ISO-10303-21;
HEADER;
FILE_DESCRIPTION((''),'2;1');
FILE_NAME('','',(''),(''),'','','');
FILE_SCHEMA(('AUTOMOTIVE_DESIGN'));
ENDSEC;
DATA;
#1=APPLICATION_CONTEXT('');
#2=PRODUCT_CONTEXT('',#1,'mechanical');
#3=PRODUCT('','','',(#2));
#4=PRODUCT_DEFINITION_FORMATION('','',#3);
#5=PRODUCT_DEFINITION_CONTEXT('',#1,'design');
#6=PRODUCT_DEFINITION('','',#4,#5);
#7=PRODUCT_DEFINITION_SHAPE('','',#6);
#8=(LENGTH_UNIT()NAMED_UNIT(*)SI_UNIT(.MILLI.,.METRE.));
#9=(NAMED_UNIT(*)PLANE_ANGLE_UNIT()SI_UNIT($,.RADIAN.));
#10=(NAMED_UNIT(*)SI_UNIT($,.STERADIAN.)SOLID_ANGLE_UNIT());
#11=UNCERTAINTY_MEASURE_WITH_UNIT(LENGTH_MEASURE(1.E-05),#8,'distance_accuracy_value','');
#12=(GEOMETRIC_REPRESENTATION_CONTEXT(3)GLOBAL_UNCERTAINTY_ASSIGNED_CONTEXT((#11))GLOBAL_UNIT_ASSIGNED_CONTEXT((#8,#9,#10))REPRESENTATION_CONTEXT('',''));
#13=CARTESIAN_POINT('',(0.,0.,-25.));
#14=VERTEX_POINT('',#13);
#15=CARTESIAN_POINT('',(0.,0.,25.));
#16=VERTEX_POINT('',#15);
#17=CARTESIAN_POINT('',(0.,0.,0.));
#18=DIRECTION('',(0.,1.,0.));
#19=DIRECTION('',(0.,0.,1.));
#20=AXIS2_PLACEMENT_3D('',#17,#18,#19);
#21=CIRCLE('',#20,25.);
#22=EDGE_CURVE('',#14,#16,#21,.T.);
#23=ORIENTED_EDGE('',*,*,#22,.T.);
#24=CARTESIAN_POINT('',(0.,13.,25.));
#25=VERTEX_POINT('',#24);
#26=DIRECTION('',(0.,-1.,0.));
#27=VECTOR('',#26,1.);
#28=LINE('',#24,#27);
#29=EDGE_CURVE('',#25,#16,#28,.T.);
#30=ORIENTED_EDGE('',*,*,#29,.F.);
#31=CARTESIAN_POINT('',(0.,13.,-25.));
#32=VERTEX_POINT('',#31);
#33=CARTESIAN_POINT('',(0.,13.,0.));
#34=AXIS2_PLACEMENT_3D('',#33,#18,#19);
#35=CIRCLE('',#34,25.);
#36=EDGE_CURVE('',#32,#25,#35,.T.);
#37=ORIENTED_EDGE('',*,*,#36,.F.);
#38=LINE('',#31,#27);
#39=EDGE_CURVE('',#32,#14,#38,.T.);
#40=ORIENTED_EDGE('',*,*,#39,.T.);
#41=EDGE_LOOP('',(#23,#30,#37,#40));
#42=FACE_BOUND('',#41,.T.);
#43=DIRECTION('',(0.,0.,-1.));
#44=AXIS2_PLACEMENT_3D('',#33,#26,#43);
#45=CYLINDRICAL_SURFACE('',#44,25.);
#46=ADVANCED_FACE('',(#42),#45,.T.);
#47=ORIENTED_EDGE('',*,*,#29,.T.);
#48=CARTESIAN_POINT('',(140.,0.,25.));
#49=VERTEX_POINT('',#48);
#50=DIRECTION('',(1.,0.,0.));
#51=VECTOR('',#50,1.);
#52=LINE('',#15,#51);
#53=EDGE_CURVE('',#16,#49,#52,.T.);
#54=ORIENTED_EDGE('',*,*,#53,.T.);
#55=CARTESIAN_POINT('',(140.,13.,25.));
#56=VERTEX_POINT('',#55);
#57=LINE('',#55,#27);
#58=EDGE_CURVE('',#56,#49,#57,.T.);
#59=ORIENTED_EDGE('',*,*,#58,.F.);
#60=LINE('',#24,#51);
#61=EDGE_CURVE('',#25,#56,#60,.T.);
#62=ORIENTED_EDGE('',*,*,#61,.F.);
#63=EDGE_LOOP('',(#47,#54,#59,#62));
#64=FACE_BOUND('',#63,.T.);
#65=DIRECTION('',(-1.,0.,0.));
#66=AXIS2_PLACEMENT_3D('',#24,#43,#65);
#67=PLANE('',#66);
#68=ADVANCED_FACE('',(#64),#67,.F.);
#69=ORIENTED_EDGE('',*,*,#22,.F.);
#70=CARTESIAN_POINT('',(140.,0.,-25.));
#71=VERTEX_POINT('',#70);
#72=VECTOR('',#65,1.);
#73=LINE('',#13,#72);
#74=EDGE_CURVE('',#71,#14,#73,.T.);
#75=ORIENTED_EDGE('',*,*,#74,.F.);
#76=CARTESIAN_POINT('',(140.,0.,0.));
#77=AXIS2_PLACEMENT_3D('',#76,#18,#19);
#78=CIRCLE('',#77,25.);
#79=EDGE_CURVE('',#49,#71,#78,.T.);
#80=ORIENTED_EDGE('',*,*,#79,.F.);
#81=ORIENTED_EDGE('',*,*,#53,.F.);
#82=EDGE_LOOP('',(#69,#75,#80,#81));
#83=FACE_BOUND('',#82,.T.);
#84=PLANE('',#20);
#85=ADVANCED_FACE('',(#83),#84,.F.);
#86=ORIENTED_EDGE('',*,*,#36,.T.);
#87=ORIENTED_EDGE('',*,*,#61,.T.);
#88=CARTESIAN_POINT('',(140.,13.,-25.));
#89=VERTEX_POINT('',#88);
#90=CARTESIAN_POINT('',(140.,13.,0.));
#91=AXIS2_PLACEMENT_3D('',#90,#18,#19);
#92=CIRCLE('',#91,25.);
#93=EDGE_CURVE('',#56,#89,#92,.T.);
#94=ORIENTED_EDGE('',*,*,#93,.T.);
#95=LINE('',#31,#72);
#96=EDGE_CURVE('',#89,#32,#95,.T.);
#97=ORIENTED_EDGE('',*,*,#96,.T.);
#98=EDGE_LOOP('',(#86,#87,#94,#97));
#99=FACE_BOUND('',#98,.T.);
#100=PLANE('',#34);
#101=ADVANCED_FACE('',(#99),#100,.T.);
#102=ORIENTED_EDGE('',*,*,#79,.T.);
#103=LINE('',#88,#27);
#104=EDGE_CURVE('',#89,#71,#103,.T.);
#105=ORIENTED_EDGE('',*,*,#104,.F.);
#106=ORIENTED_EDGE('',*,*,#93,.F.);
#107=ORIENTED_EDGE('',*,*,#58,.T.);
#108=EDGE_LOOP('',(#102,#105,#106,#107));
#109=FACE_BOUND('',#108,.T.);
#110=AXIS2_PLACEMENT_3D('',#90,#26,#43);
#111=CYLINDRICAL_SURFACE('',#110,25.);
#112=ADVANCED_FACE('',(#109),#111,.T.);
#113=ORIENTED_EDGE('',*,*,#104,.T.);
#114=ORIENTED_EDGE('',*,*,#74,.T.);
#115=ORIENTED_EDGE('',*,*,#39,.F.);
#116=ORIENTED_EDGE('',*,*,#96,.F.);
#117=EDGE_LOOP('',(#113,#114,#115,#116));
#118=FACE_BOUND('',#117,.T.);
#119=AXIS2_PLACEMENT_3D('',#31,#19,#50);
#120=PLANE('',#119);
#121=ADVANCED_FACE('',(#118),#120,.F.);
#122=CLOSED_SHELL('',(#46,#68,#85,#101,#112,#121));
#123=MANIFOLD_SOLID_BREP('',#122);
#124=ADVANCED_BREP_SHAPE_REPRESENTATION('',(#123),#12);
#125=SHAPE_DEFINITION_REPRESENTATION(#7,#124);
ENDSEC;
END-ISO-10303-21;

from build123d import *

# Parameters (mm, degrees)
BOSS_EXTRUDE1_DEPTH = 13


with BuildPart() as part:
    # Sketch1 → Boss-Extrude1 (new body)
    with BuildSketch(Plane(origin=(0, 0, 0), x_dir=(1, 0, 0), z_dir=(0, 1, 0))):
        with BuildLine():
            Line((0, 25), (140, 25))
            ThreePointArc((140, 25), (165, 0), (140, -25))
            Line((140, -25), (0, -25))
            ThreePointArc((0, -25), (-25, 0), (0, 25))
        make_face()
    extrude(amount=BOSS_EXTRUDE1_DEPTH)


solid = part.part
